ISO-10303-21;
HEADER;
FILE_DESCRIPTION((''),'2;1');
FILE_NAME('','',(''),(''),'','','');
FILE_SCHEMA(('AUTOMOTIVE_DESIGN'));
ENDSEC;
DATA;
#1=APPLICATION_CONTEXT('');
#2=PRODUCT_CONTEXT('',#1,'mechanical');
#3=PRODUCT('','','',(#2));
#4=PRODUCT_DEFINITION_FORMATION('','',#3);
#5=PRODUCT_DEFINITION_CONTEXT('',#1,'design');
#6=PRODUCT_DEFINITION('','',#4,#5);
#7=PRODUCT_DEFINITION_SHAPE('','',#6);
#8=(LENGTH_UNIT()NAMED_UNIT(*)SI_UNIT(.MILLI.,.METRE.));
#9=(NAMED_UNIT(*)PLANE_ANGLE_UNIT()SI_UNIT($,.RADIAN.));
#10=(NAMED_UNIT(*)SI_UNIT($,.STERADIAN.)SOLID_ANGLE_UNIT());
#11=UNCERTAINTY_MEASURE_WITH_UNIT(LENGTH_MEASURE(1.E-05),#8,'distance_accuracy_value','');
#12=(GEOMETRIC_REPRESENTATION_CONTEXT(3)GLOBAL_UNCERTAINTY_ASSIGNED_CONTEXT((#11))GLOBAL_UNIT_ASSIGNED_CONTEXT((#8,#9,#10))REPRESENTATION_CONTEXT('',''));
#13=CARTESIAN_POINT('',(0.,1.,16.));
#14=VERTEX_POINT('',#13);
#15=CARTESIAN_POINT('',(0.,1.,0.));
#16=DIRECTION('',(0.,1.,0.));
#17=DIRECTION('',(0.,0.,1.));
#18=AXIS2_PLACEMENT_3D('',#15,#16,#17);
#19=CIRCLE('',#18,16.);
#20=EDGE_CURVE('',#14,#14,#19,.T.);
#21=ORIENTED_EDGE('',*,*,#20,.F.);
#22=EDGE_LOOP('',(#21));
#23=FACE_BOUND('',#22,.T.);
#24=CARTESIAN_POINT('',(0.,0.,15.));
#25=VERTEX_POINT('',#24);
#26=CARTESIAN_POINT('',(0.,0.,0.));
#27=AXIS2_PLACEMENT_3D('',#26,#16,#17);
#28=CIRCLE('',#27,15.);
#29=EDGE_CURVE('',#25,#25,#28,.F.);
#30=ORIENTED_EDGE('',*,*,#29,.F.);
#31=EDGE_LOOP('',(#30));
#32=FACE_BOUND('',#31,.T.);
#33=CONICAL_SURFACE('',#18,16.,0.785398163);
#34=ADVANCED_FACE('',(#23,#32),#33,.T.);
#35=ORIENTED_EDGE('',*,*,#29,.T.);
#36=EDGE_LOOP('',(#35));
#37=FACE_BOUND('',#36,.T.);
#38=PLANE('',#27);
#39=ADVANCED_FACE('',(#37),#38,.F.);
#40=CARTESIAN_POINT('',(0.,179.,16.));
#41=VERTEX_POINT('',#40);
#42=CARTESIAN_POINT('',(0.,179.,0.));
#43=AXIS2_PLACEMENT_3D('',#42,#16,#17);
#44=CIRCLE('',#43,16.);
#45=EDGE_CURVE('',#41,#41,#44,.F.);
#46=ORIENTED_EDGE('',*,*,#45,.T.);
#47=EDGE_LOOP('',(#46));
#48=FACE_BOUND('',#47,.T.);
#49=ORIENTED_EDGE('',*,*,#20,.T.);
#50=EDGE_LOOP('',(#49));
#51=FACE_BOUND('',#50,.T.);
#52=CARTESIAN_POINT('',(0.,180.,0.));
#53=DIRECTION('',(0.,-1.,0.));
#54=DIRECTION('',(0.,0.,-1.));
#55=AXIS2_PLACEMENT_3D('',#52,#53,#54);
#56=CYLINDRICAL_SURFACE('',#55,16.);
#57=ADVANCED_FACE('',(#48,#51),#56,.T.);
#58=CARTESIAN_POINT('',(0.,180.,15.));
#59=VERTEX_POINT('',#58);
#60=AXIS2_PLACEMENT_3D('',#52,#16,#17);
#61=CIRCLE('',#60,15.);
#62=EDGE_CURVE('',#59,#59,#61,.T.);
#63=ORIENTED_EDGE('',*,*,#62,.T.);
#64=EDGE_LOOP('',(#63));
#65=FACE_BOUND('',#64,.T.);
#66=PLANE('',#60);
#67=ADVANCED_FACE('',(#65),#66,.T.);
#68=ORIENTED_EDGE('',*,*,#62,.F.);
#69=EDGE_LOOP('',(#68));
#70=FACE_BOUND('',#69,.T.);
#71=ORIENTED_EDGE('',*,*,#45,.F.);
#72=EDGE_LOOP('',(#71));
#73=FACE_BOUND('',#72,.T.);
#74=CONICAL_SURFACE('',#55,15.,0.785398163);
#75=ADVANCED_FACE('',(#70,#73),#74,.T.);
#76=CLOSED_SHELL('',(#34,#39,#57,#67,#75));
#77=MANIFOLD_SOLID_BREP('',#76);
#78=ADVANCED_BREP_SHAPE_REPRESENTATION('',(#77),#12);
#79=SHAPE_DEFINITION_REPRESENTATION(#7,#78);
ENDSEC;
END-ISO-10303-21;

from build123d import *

# Parameters (mm, degrees)
SKETCH1_R           = 16
BOSS_EXTRUDE1_DEPTH = 180
CHAMFER1_SIZE       = 1


with BuildPart() as part:
    # Sketch1 → Boss-Extrude1 (new body)
    with BuildSketch(Plane(origin=(0, 0, 0), x_dir=(1, 0, 0), z_dir=(0, 1, 0))):
        Circle(SKETCH1_R)
    extrude(amount=BOSS_EXTRUDE1_DEPTH)

    # Chamfer1
    chamfer1_edges = [part.edges().sort_by_distance(p)[0] for p in [
        (-16, 0, 0),
        (-16, 180, 0),
    ]]
    chamfer(chamfer1_edges, length=CHAMFER1_SIZE)


solid = part.part
